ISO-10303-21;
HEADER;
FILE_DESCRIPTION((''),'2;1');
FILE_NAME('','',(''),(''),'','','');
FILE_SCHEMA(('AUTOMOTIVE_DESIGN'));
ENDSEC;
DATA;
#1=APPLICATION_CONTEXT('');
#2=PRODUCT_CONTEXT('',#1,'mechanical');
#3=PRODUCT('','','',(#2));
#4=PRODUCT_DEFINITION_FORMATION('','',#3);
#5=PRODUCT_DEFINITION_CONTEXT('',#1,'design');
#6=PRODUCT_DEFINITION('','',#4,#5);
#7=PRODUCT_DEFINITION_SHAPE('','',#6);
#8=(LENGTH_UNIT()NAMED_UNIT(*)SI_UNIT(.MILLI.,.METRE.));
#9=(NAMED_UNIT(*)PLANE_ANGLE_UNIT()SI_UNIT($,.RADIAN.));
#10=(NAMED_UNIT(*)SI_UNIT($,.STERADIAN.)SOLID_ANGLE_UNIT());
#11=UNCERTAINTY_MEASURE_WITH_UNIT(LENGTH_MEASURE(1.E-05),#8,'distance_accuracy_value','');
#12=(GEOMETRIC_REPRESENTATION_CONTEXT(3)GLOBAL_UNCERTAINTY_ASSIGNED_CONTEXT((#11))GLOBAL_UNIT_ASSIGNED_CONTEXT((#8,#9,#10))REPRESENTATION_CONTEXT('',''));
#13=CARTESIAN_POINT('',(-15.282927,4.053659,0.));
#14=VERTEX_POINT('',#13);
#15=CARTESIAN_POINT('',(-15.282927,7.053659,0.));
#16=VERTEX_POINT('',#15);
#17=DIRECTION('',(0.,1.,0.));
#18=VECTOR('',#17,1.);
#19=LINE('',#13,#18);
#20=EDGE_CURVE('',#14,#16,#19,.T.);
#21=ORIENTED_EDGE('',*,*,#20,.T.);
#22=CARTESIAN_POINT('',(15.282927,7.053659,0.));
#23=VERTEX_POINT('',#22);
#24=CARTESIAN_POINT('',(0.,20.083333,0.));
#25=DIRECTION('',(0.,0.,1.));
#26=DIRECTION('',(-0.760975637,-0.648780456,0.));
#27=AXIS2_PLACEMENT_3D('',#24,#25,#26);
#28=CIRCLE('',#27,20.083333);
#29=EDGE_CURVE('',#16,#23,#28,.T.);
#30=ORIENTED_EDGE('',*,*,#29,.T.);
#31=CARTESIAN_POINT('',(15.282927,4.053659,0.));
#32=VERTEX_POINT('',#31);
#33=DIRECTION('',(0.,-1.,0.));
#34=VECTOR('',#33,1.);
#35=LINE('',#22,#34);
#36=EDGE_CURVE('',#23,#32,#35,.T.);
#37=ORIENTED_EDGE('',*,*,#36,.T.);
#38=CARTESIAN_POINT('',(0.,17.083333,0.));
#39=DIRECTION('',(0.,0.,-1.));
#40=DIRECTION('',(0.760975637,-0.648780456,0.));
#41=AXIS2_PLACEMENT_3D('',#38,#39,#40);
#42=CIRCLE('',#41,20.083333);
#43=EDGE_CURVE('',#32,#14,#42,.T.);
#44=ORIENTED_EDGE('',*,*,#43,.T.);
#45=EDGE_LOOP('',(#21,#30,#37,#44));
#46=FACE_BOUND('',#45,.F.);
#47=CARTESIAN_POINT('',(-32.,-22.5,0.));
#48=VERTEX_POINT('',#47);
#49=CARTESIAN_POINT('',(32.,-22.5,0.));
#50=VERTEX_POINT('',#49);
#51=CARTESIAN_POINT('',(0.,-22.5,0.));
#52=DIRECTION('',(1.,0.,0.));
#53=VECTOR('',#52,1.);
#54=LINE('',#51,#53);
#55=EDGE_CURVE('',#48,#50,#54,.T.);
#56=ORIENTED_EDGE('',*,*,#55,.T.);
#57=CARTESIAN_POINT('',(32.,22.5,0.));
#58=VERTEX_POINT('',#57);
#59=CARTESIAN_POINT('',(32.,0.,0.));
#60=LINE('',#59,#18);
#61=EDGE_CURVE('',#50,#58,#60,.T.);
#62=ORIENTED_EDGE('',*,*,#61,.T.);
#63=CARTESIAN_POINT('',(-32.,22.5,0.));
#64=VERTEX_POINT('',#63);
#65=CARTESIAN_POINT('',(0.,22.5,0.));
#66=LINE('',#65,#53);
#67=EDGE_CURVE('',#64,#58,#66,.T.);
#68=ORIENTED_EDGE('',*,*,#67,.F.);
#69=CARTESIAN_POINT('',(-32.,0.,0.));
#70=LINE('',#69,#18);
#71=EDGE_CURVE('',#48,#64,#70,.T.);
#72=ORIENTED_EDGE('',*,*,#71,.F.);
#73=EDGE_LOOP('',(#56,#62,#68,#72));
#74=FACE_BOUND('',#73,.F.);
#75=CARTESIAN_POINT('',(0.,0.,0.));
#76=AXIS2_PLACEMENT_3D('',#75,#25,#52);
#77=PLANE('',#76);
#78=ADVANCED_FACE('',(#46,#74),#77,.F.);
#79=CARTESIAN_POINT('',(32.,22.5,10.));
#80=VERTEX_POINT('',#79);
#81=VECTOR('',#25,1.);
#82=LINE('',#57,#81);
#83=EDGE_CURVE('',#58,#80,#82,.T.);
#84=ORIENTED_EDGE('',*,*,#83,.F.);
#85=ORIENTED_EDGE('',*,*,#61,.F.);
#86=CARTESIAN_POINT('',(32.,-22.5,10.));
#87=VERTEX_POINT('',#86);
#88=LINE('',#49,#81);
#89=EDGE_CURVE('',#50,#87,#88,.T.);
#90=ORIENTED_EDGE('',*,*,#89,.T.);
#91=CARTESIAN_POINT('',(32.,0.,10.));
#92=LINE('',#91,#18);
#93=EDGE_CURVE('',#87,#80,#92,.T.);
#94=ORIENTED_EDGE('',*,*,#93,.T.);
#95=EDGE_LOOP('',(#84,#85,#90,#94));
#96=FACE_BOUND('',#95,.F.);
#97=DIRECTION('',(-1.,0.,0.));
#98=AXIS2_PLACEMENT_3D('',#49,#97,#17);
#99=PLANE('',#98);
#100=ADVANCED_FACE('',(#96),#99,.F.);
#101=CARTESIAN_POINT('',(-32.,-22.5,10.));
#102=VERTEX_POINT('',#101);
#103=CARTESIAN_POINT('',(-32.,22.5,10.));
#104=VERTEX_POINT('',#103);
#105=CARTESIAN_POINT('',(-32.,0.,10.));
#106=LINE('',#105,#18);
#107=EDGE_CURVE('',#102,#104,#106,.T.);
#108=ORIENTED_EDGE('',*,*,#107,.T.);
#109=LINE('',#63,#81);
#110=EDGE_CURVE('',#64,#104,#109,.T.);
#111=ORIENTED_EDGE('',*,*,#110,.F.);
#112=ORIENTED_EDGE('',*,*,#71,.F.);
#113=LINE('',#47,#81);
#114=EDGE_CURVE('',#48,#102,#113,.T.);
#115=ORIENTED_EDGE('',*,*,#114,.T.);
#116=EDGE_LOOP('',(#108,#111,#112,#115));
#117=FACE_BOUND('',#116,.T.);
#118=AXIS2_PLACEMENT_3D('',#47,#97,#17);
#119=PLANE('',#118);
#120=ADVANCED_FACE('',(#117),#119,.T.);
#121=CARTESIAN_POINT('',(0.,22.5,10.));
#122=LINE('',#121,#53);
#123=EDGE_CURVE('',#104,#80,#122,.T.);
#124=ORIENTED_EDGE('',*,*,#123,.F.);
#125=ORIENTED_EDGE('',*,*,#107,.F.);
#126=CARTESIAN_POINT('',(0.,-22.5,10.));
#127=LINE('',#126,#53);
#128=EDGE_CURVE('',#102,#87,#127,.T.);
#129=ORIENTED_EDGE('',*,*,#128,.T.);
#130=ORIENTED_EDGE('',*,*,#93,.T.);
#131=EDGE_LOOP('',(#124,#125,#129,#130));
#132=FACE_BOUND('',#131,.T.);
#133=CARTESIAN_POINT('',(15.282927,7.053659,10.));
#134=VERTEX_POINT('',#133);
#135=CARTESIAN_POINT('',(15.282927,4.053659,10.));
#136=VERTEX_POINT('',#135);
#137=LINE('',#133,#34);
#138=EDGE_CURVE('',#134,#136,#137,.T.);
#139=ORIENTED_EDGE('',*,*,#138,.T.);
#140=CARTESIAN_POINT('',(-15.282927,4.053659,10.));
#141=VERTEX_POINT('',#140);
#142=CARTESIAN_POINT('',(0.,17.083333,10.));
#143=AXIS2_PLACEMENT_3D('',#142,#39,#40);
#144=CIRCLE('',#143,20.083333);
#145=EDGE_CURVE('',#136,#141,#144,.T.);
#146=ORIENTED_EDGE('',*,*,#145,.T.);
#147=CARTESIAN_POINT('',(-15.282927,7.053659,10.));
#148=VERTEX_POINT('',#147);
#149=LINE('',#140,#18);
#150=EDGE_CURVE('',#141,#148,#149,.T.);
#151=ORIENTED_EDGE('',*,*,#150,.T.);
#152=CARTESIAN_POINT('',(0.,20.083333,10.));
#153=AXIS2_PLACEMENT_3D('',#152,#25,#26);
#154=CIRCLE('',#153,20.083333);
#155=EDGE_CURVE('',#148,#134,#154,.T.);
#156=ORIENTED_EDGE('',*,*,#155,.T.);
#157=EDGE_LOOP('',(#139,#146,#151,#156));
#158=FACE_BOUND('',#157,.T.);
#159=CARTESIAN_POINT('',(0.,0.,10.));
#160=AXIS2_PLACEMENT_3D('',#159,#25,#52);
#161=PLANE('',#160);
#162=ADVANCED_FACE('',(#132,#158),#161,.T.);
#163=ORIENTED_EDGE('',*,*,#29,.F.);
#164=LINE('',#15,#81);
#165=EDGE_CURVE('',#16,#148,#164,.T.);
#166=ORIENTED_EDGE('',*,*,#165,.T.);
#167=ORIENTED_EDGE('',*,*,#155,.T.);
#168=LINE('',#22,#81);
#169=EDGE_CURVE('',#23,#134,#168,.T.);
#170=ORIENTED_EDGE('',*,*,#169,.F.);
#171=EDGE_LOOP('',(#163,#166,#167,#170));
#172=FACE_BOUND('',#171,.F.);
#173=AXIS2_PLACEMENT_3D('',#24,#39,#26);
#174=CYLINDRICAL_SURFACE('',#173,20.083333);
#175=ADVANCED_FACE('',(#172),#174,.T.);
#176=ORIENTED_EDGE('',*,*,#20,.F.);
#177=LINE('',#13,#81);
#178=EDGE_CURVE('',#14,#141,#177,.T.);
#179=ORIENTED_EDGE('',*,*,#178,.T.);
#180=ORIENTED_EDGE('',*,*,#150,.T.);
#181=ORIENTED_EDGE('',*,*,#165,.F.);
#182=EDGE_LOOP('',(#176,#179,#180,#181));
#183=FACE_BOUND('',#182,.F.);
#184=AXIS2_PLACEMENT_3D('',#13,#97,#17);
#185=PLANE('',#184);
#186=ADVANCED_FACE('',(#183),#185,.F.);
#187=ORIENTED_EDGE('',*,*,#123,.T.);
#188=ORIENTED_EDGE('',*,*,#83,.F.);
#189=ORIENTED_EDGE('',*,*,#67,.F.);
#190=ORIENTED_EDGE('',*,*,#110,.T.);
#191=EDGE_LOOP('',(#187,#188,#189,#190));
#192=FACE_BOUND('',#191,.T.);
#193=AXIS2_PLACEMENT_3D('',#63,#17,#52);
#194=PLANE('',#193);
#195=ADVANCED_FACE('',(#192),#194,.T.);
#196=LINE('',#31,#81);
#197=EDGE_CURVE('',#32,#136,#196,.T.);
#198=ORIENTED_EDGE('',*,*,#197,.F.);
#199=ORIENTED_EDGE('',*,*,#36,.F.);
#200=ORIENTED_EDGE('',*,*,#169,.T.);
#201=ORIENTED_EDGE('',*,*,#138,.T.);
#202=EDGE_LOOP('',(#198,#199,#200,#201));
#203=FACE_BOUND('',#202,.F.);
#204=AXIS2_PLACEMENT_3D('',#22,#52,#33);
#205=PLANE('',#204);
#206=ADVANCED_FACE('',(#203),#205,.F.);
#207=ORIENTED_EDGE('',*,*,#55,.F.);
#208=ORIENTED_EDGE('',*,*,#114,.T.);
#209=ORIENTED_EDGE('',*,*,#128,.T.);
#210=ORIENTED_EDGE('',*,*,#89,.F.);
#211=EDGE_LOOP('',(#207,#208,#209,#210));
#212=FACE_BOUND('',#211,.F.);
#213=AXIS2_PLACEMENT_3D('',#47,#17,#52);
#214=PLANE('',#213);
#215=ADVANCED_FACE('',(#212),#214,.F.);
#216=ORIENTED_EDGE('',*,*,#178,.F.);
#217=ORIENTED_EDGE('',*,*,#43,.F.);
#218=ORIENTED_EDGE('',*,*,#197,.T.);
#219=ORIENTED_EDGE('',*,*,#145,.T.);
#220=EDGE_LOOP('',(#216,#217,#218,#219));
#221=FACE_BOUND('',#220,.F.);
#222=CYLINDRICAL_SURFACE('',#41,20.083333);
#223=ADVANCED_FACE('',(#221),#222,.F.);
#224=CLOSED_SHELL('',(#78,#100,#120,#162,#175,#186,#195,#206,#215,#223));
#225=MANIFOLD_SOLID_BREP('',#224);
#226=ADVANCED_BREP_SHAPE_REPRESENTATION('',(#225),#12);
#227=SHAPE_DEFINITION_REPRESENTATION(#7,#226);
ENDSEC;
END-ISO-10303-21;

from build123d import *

# Parameters (mm, degrees)
F0_W     = 64
F0_H     = 45
F1_DEPTH = 10


with BuildPart() as f1:
    # F0 (on Top) → F1 (new body)
    with BuildSketch(Plane.XY):
        Rectangle(F0_W, F0_H)
        with BuildLine():
            ThreePointArc((15.282927, 4.053659), (0, -3), (-15.282927, 4.053659))
            Line((-15.282927, 4.053659), (-15.282927, 7.053659))
            ThreePointArc((-15.282927, 7.053659), (0, 0), (15.282927, 7.053659))
            Line((15.282927, 7.053659), (15.282927, 4.053659))
        make_face(mode=Mode.SUBTRACT)
    extrude(amount=F1_DEPTH)


solid = f1.part
